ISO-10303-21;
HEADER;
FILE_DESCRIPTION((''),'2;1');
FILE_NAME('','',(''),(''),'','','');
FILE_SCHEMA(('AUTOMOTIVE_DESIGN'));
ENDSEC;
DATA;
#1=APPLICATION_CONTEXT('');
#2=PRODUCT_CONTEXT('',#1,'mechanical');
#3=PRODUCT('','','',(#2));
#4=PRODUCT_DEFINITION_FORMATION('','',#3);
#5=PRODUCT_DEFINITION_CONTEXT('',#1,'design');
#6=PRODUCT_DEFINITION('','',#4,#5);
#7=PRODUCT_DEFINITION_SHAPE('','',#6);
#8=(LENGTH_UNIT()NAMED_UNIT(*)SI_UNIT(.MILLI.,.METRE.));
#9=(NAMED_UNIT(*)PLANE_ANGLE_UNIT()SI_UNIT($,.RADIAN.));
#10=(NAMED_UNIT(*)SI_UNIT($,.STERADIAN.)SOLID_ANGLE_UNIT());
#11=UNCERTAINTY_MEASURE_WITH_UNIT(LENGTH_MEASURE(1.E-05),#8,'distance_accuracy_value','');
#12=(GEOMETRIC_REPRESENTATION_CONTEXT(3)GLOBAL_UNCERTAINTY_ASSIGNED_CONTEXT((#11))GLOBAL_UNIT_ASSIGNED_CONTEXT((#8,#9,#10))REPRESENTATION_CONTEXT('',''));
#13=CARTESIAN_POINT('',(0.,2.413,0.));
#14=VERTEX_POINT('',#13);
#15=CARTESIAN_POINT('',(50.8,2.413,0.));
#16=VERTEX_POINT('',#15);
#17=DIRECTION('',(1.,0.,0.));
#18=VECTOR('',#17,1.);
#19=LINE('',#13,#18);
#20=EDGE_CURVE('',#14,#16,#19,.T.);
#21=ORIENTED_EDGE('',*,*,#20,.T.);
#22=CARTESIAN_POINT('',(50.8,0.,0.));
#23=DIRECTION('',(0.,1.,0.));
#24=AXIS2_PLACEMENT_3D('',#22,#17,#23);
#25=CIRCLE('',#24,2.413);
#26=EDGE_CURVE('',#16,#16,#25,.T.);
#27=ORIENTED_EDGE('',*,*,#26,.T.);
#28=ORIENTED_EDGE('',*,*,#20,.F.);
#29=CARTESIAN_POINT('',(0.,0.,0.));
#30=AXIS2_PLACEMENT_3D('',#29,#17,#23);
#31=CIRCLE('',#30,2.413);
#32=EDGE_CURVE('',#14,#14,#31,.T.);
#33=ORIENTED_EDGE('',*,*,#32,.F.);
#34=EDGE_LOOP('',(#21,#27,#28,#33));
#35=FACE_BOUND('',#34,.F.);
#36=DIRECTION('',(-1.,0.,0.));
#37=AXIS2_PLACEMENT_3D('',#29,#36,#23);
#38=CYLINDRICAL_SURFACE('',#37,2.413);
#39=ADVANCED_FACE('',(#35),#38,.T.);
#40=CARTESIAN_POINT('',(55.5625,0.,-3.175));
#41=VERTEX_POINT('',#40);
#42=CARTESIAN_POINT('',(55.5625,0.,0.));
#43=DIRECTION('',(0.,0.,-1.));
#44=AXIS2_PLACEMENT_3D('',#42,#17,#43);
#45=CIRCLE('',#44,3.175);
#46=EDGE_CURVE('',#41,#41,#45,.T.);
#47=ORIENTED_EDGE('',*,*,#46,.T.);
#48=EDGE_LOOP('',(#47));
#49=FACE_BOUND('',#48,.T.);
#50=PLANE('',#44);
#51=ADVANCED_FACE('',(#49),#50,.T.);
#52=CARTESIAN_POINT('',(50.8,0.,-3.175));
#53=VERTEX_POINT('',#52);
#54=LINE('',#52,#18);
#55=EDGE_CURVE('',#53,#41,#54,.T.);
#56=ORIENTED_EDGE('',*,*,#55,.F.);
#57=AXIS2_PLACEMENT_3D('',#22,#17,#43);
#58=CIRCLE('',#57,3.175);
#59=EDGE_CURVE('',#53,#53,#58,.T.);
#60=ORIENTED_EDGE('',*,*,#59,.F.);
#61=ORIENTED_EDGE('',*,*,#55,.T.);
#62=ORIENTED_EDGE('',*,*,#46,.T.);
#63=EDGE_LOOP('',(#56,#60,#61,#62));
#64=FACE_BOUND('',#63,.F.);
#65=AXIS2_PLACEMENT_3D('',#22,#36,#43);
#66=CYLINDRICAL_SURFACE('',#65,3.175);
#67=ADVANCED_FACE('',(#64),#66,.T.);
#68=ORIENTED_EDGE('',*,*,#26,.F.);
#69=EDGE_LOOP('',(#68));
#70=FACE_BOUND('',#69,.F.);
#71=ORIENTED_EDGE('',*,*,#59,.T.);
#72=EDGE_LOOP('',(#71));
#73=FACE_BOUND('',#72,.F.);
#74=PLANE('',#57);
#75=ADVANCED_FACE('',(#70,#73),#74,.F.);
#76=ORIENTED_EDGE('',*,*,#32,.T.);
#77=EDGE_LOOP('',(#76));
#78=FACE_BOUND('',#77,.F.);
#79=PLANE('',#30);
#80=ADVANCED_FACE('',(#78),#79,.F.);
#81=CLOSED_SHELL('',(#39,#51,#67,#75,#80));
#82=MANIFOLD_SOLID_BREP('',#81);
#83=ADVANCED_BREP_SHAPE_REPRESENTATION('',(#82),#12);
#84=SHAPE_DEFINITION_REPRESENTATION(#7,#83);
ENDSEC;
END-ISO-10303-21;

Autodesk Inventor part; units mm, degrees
ref_plane "YZ Plane" through (0, 0, 0) normal (1, 0, 0) x (0, 1, 0)
ref_plane "XZ Plane" through (0, 0, 0) normal (0, 1, 0) x (-1, 0, 0)
ref_plane "XY Plane" through (0, 0, 0) normal (0, 0, 1) x (1, 0, 0)
sketch "Sketch1" plane through (0, 0, 0) normal (1, 0, 0) x (0, 1, 0)
  circle A0 centre (0, 0) radius 2.413
  dimension "d0" = 4.826
extrude "Extrusion1" add sketch "Sketch1" along normal blind 50.8
sketch "Sketch2" plane through (50.8, 0, 0) normal (1, 0, 0) x (0, 0, -1)
  circle A0 centre (0, 0) radius 3.175
  dimension "d3" = 6.35
extrude "Extrusion2" add sketch "Sketch2" along normal blind 4.7625
properties part number "#10 2in"
